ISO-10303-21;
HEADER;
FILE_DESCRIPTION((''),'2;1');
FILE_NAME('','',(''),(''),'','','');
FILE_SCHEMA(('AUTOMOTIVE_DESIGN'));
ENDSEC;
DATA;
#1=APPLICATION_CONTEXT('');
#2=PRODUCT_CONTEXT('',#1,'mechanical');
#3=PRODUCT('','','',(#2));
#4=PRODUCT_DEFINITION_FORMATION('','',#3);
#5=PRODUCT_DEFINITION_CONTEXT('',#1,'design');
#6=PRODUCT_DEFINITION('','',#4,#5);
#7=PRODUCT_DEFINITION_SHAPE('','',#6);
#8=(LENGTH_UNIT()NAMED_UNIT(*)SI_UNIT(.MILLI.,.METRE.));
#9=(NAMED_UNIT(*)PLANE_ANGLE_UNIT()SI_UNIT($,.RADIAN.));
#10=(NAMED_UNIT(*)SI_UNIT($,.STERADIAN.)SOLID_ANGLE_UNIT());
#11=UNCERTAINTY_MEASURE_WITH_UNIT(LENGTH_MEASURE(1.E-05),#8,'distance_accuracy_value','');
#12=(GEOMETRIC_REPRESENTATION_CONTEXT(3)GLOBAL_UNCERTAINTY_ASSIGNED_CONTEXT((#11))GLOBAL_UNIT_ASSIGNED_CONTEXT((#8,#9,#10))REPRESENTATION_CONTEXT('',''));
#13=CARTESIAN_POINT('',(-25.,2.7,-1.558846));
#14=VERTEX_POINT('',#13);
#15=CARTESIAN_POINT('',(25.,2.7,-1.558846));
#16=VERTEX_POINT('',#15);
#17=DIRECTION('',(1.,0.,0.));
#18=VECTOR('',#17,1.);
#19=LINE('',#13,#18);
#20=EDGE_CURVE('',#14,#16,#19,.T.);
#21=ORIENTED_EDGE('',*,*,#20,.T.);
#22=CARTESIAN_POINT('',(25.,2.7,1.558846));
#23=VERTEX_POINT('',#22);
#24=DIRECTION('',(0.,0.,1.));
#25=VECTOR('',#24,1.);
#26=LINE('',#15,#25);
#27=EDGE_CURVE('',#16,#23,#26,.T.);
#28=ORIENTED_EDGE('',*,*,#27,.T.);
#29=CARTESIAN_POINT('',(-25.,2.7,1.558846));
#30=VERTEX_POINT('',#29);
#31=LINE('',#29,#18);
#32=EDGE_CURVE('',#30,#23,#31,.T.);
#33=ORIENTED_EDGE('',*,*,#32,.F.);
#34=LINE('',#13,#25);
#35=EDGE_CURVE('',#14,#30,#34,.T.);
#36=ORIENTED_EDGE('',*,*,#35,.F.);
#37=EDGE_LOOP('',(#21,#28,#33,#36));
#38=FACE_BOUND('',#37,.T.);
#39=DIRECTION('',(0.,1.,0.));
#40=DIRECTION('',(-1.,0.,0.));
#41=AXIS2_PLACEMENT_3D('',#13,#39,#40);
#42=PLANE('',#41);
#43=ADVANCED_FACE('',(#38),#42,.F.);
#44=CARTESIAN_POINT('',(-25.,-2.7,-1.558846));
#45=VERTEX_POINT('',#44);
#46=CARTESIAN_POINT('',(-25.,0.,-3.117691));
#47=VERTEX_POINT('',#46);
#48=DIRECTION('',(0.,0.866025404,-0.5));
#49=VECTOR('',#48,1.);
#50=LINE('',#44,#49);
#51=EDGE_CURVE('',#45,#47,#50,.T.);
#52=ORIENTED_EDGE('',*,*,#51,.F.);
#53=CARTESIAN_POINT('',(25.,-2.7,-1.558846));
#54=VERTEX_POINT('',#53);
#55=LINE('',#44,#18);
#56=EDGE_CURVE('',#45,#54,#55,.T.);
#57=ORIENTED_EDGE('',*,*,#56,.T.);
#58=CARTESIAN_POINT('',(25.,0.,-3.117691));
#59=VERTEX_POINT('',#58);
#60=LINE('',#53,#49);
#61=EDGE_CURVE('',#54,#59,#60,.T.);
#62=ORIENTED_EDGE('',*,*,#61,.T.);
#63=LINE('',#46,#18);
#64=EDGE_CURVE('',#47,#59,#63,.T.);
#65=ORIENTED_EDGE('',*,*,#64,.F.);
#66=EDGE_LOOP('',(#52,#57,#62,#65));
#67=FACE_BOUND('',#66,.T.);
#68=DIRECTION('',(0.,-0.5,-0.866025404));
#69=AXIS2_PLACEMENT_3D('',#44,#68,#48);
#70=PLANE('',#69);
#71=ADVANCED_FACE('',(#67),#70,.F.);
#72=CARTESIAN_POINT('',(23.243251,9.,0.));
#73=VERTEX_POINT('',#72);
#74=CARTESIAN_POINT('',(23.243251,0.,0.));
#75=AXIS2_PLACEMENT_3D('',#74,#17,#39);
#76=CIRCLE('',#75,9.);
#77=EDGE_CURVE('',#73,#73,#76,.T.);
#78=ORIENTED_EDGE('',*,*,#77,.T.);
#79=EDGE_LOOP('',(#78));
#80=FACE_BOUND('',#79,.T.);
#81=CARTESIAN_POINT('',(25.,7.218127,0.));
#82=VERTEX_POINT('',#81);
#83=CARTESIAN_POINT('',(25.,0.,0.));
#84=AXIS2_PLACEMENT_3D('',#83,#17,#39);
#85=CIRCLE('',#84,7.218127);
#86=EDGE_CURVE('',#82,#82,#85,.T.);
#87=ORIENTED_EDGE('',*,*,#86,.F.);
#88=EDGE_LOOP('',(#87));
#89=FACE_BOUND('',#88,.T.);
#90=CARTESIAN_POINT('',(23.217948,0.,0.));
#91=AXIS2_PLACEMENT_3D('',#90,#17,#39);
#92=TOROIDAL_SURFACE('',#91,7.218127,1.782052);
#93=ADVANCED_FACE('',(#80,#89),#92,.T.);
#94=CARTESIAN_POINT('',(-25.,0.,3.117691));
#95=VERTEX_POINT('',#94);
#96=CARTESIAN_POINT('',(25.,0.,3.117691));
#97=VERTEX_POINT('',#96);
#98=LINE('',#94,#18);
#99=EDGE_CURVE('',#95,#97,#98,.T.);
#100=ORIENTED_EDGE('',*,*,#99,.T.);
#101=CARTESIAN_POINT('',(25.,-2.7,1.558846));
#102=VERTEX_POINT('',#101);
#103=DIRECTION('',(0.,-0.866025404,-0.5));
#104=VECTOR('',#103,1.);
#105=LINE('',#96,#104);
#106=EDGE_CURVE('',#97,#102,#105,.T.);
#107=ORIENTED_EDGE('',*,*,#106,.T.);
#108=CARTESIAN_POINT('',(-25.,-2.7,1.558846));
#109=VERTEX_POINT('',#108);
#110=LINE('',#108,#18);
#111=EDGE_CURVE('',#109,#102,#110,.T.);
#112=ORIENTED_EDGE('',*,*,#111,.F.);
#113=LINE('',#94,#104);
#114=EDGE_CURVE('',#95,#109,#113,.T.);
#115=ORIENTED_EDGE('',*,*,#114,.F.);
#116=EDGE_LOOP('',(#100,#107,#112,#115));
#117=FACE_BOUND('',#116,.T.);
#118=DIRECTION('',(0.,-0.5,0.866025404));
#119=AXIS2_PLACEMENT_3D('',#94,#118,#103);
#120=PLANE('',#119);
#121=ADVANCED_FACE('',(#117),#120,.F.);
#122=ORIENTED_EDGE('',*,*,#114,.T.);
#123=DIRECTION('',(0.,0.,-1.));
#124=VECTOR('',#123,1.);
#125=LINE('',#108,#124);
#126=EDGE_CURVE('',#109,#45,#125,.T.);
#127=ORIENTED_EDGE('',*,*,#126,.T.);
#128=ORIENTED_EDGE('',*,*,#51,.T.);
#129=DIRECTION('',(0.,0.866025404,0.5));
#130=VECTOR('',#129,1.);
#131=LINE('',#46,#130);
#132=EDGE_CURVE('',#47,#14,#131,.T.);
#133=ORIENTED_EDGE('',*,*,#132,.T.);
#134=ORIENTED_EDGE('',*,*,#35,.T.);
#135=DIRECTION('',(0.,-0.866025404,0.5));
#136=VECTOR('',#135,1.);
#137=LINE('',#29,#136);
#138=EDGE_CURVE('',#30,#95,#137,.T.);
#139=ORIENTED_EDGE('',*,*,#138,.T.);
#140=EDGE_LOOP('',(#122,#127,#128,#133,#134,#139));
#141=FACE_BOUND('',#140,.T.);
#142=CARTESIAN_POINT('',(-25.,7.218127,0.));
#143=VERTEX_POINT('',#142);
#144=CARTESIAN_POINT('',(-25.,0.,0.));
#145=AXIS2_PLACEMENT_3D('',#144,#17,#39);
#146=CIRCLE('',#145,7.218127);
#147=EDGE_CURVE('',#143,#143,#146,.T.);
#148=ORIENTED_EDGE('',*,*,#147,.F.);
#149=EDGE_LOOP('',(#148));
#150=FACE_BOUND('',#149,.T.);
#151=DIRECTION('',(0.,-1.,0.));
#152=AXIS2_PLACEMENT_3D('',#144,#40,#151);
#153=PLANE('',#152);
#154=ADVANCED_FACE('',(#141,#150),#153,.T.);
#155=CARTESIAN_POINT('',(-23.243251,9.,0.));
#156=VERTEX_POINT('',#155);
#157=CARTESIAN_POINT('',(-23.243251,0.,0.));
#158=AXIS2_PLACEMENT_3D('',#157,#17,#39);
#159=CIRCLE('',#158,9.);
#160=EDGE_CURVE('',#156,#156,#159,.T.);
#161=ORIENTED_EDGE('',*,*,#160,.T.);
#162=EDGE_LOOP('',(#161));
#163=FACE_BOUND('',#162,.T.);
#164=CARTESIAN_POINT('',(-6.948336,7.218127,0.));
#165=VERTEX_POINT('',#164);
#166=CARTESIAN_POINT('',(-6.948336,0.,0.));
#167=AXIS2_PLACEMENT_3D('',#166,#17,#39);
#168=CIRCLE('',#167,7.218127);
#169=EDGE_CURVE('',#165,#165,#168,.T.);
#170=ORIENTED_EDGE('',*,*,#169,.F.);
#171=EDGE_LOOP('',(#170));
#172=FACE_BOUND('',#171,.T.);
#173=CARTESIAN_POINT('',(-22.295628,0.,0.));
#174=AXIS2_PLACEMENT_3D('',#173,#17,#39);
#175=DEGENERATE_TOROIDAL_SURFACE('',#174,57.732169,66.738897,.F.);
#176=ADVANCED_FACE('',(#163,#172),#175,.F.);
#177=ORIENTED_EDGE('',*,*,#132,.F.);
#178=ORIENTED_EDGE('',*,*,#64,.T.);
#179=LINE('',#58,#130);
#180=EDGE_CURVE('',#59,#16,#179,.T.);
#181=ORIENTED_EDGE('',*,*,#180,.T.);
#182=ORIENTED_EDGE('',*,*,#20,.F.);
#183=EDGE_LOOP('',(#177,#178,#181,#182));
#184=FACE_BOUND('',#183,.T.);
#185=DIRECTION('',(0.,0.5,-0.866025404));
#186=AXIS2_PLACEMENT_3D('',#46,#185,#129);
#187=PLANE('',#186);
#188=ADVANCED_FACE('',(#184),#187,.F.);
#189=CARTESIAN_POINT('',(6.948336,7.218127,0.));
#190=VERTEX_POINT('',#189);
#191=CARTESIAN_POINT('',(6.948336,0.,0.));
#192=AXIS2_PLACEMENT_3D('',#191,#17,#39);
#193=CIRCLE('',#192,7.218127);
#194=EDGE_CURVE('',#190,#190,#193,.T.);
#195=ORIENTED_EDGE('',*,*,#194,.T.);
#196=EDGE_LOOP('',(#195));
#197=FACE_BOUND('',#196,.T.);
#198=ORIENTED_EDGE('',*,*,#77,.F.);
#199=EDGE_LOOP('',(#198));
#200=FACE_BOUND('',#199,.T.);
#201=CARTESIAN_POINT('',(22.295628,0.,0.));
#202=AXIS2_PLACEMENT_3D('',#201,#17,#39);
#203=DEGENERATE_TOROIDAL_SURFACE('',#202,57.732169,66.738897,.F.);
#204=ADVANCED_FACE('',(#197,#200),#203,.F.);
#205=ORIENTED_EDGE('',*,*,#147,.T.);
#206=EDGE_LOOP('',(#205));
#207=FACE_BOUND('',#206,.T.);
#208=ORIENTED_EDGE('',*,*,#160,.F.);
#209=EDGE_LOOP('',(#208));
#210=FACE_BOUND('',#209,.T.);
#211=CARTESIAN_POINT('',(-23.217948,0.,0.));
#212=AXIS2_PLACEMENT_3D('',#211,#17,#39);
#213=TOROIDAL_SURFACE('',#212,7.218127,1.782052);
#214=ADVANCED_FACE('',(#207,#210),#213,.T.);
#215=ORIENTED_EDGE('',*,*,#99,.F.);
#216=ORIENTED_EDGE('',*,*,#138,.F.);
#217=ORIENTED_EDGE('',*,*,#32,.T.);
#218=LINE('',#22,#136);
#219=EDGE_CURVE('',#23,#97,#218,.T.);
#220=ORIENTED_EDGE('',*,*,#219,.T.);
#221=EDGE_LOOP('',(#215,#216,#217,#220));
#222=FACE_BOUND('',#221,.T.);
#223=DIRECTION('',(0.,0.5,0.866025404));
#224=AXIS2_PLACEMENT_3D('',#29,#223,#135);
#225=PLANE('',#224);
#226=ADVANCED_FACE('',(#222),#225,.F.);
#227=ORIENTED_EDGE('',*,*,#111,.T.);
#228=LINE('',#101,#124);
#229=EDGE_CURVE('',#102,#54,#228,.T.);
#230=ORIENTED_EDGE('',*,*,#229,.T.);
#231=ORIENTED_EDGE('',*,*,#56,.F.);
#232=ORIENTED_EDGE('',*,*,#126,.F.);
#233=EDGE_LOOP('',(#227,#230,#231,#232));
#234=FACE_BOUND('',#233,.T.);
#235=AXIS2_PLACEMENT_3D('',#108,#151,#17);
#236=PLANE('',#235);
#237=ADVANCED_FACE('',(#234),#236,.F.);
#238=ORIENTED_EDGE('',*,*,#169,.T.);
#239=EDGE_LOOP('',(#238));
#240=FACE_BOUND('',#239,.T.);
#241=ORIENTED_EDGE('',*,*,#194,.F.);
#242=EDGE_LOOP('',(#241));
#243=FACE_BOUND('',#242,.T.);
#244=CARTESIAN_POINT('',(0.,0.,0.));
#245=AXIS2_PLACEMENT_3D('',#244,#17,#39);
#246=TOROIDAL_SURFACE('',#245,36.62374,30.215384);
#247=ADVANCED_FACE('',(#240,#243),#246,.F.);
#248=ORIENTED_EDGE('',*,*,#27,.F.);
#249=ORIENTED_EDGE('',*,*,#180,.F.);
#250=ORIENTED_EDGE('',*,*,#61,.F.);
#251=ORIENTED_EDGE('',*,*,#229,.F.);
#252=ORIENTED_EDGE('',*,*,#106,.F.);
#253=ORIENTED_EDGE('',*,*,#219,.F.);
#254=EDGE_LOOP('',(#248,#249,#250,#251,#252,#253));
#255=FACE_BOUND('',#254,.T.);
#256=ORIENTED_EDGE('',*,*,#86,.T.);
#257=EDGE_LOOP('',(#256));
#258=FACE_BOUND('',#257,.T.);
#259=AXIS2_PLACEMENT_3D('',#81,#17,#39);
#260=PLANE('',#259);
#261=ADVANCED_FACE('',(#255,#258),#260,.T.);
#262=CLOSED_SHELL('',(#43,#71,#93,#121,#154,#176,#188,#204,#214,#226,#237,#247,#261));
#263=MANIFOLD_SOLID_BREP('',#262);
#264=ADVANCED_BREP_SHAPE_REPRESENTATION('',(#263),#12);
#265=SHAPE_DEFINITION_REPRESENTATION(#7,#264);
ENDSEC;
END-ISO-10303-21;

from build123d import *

# Parameters (mm, degrees)
CUT_EXTRUDE1_DEPTH = 52.59692143


with BuildPart() as part:
    # Sketch2 → Revolve1 (revolve)
    with BuildSketch(Plane.XY):
        with BuildLine():
            Line((-25, 0), (-25, 7.218127455))
            ThreePointArc((-25, 7.218127455), (-24.486963528, 8.469250598), (-23.243251097, 9))
            ThreePointArc((-23.243251097, 9), (-15.040879193, 8.611248064), (-6.94833646, 7.218127455))
            ThreePointArc((-6.94833646, 7.218127455), (0, 6.408356031), (6.94833646, 7.218127455))
            ThreePointArc((6.94833646, 7.218127455), (15.040879193, 8.611248064), (23.243251097, 9))
            ThreePointArc((23.243251097, 9), (24.486963528, 8.469250598), (25, 7.218127455))
            Line((25, 7.218127455), (25, 0))
            Line((25, 0), (-25, 0))
        make_face()
    revolve(axis=Axis((25, 0, 0), (-1, 0, 0)))

    # Sketch3 → Cut-Extrude1 (cut, through all)
    with BuildSketch(Plane(origin=(25, 0, 0), x_dir=(0, 0, -1), z_dir=(1, 0, 0))):
        Polygon((3.117691454, 0), (1.558845727, 2.7), (-1.558845727, 2.7), (-3.117691454, 0), (-1.558845727, -2.7), (1.558845727, -2.7), align=None)
    extrude(amount=-CUT_EXTRUDE1_DEPTH, mode=Mode.SUBTRACT)


solid = part.part
